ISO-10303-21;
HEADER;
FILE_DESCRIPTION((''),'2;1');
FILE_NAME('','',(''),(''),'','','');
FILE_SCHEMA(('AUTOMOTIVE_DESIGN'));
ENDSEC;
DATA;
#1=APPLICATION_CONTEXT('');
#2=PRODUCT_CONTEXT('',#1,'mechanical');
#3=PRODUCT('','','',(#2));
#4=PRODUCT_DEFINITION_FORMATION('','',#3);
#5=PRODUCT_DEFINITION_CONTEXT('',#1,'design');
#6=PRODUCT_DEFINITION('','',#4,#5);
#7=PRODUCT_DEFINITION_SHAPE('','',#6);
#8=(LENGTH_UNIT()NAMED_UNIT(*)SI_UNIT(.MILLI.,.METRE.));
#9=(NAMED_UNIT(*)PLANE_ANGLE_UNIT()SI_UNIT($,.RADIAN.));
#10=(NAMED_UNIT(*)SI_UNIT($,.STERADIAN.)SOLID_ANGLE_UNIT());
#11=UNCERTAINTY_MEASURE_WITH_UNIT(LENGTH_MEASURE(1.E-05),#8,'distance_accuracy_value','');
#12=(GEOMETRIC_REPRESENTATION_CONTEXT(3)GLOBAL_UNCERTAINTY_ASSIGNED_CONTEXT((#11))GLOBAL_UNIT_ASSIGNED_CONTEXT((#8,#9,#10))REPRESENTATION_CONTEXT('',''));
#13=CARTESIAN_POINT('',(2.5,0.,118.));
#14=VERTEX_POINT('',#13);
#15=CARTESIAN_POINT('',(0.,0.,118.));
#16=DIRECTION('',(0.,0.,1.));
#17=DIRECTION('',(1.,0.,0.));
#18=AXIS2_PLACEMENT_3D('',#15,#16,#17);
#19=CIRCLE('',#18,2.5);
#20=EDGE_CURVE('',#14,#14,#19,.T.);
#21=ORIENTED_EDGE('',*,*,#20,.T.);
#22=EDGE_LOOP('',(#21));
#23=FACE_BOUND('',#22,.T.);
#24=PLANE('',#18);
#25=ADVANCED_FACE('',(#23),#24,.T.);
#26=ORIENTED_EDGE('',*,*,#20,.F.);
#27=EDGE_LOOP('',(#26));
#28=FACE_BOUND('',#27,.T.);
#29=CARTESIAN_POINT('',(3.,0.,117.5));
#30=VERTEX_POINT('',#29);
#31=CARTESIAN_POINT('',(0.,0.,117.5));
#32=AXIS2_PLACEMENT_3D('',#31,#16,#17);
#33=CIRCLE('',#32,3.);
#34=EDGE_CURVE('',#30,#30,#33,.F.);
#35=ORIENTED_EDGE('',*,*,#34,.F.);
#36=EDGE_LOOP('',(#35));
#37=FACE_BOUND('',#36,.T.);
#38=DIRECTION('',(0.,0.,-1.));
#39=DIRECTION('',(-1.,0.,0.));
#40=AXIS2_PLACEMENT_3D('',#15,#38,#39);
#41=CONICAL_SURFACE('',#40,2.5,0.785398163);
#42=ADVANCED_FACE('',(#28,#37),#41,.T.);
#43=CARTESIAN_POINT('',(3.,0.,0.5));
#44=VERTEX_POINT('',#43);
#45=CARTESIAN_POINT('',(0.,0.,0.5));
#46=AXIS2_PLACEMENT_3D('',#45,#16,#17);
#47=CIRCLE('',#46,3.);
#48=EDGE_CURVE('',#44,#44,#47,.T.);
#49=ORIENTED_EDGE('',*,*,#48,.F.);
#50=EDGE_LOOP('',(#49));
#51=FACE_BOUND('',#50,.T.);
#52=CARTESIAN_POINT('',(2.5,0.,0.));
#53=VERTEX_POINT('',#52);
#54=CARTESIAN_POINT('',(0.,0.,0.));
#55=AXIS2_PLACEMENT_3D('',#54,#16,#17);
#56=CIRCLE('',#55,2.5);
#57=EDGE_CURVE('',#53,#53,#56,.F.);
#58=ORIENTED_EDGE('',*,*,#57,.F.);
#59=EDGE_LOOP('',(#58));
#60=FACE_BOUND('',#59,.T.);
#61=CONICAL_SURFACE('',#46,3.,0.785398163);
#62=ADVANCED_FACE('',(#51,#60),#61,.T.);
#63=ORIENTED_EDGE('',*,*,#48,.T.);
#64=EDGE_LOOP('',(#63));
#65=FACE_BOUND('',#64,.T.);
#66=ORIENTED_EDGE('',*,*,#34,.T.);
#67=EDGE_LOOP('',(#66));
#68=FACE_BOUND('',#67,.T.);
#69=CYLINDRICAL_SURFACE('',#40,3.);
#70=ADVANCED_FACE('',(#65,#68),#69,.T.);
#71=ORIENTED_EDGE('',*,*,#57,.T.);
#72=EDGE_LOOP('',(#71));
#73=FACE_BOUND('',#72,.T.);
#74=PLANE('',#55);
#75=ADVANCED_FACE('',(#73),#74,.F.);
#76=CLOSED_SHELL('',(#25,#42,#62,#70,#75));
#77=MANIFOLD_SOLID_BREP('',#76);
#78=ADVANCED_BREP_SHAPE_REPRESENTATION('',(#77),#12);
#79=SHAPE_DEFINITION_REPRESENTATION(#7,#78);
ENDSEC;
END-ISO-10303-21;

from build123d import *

# Parameters (mm, degrees)
SKETCH1_R           = 3
BOSS_EXTRUDE1_DEPTH = 118
CHAMFER1_SIZE       = 0.5


with BuildPart() as part:
    # Sketch1 → Boss-Extrude1 (new body)
    with BuildSketch(Plane.XY):
        Circle(SKETCH1_R)
    extrude(amount=BOSS_EXTRUDE1_DEPTH)

    # Chamfer1
    chamfer1_edges = [part.edges().sort_by_distance(p)[0] for p in [
        (-3, 0, 0),
        (-3, 0, 118),
    ]]
    chamfer(chamfer1_edges, length=CHAMFER1_SIZE)


solid = part.part
